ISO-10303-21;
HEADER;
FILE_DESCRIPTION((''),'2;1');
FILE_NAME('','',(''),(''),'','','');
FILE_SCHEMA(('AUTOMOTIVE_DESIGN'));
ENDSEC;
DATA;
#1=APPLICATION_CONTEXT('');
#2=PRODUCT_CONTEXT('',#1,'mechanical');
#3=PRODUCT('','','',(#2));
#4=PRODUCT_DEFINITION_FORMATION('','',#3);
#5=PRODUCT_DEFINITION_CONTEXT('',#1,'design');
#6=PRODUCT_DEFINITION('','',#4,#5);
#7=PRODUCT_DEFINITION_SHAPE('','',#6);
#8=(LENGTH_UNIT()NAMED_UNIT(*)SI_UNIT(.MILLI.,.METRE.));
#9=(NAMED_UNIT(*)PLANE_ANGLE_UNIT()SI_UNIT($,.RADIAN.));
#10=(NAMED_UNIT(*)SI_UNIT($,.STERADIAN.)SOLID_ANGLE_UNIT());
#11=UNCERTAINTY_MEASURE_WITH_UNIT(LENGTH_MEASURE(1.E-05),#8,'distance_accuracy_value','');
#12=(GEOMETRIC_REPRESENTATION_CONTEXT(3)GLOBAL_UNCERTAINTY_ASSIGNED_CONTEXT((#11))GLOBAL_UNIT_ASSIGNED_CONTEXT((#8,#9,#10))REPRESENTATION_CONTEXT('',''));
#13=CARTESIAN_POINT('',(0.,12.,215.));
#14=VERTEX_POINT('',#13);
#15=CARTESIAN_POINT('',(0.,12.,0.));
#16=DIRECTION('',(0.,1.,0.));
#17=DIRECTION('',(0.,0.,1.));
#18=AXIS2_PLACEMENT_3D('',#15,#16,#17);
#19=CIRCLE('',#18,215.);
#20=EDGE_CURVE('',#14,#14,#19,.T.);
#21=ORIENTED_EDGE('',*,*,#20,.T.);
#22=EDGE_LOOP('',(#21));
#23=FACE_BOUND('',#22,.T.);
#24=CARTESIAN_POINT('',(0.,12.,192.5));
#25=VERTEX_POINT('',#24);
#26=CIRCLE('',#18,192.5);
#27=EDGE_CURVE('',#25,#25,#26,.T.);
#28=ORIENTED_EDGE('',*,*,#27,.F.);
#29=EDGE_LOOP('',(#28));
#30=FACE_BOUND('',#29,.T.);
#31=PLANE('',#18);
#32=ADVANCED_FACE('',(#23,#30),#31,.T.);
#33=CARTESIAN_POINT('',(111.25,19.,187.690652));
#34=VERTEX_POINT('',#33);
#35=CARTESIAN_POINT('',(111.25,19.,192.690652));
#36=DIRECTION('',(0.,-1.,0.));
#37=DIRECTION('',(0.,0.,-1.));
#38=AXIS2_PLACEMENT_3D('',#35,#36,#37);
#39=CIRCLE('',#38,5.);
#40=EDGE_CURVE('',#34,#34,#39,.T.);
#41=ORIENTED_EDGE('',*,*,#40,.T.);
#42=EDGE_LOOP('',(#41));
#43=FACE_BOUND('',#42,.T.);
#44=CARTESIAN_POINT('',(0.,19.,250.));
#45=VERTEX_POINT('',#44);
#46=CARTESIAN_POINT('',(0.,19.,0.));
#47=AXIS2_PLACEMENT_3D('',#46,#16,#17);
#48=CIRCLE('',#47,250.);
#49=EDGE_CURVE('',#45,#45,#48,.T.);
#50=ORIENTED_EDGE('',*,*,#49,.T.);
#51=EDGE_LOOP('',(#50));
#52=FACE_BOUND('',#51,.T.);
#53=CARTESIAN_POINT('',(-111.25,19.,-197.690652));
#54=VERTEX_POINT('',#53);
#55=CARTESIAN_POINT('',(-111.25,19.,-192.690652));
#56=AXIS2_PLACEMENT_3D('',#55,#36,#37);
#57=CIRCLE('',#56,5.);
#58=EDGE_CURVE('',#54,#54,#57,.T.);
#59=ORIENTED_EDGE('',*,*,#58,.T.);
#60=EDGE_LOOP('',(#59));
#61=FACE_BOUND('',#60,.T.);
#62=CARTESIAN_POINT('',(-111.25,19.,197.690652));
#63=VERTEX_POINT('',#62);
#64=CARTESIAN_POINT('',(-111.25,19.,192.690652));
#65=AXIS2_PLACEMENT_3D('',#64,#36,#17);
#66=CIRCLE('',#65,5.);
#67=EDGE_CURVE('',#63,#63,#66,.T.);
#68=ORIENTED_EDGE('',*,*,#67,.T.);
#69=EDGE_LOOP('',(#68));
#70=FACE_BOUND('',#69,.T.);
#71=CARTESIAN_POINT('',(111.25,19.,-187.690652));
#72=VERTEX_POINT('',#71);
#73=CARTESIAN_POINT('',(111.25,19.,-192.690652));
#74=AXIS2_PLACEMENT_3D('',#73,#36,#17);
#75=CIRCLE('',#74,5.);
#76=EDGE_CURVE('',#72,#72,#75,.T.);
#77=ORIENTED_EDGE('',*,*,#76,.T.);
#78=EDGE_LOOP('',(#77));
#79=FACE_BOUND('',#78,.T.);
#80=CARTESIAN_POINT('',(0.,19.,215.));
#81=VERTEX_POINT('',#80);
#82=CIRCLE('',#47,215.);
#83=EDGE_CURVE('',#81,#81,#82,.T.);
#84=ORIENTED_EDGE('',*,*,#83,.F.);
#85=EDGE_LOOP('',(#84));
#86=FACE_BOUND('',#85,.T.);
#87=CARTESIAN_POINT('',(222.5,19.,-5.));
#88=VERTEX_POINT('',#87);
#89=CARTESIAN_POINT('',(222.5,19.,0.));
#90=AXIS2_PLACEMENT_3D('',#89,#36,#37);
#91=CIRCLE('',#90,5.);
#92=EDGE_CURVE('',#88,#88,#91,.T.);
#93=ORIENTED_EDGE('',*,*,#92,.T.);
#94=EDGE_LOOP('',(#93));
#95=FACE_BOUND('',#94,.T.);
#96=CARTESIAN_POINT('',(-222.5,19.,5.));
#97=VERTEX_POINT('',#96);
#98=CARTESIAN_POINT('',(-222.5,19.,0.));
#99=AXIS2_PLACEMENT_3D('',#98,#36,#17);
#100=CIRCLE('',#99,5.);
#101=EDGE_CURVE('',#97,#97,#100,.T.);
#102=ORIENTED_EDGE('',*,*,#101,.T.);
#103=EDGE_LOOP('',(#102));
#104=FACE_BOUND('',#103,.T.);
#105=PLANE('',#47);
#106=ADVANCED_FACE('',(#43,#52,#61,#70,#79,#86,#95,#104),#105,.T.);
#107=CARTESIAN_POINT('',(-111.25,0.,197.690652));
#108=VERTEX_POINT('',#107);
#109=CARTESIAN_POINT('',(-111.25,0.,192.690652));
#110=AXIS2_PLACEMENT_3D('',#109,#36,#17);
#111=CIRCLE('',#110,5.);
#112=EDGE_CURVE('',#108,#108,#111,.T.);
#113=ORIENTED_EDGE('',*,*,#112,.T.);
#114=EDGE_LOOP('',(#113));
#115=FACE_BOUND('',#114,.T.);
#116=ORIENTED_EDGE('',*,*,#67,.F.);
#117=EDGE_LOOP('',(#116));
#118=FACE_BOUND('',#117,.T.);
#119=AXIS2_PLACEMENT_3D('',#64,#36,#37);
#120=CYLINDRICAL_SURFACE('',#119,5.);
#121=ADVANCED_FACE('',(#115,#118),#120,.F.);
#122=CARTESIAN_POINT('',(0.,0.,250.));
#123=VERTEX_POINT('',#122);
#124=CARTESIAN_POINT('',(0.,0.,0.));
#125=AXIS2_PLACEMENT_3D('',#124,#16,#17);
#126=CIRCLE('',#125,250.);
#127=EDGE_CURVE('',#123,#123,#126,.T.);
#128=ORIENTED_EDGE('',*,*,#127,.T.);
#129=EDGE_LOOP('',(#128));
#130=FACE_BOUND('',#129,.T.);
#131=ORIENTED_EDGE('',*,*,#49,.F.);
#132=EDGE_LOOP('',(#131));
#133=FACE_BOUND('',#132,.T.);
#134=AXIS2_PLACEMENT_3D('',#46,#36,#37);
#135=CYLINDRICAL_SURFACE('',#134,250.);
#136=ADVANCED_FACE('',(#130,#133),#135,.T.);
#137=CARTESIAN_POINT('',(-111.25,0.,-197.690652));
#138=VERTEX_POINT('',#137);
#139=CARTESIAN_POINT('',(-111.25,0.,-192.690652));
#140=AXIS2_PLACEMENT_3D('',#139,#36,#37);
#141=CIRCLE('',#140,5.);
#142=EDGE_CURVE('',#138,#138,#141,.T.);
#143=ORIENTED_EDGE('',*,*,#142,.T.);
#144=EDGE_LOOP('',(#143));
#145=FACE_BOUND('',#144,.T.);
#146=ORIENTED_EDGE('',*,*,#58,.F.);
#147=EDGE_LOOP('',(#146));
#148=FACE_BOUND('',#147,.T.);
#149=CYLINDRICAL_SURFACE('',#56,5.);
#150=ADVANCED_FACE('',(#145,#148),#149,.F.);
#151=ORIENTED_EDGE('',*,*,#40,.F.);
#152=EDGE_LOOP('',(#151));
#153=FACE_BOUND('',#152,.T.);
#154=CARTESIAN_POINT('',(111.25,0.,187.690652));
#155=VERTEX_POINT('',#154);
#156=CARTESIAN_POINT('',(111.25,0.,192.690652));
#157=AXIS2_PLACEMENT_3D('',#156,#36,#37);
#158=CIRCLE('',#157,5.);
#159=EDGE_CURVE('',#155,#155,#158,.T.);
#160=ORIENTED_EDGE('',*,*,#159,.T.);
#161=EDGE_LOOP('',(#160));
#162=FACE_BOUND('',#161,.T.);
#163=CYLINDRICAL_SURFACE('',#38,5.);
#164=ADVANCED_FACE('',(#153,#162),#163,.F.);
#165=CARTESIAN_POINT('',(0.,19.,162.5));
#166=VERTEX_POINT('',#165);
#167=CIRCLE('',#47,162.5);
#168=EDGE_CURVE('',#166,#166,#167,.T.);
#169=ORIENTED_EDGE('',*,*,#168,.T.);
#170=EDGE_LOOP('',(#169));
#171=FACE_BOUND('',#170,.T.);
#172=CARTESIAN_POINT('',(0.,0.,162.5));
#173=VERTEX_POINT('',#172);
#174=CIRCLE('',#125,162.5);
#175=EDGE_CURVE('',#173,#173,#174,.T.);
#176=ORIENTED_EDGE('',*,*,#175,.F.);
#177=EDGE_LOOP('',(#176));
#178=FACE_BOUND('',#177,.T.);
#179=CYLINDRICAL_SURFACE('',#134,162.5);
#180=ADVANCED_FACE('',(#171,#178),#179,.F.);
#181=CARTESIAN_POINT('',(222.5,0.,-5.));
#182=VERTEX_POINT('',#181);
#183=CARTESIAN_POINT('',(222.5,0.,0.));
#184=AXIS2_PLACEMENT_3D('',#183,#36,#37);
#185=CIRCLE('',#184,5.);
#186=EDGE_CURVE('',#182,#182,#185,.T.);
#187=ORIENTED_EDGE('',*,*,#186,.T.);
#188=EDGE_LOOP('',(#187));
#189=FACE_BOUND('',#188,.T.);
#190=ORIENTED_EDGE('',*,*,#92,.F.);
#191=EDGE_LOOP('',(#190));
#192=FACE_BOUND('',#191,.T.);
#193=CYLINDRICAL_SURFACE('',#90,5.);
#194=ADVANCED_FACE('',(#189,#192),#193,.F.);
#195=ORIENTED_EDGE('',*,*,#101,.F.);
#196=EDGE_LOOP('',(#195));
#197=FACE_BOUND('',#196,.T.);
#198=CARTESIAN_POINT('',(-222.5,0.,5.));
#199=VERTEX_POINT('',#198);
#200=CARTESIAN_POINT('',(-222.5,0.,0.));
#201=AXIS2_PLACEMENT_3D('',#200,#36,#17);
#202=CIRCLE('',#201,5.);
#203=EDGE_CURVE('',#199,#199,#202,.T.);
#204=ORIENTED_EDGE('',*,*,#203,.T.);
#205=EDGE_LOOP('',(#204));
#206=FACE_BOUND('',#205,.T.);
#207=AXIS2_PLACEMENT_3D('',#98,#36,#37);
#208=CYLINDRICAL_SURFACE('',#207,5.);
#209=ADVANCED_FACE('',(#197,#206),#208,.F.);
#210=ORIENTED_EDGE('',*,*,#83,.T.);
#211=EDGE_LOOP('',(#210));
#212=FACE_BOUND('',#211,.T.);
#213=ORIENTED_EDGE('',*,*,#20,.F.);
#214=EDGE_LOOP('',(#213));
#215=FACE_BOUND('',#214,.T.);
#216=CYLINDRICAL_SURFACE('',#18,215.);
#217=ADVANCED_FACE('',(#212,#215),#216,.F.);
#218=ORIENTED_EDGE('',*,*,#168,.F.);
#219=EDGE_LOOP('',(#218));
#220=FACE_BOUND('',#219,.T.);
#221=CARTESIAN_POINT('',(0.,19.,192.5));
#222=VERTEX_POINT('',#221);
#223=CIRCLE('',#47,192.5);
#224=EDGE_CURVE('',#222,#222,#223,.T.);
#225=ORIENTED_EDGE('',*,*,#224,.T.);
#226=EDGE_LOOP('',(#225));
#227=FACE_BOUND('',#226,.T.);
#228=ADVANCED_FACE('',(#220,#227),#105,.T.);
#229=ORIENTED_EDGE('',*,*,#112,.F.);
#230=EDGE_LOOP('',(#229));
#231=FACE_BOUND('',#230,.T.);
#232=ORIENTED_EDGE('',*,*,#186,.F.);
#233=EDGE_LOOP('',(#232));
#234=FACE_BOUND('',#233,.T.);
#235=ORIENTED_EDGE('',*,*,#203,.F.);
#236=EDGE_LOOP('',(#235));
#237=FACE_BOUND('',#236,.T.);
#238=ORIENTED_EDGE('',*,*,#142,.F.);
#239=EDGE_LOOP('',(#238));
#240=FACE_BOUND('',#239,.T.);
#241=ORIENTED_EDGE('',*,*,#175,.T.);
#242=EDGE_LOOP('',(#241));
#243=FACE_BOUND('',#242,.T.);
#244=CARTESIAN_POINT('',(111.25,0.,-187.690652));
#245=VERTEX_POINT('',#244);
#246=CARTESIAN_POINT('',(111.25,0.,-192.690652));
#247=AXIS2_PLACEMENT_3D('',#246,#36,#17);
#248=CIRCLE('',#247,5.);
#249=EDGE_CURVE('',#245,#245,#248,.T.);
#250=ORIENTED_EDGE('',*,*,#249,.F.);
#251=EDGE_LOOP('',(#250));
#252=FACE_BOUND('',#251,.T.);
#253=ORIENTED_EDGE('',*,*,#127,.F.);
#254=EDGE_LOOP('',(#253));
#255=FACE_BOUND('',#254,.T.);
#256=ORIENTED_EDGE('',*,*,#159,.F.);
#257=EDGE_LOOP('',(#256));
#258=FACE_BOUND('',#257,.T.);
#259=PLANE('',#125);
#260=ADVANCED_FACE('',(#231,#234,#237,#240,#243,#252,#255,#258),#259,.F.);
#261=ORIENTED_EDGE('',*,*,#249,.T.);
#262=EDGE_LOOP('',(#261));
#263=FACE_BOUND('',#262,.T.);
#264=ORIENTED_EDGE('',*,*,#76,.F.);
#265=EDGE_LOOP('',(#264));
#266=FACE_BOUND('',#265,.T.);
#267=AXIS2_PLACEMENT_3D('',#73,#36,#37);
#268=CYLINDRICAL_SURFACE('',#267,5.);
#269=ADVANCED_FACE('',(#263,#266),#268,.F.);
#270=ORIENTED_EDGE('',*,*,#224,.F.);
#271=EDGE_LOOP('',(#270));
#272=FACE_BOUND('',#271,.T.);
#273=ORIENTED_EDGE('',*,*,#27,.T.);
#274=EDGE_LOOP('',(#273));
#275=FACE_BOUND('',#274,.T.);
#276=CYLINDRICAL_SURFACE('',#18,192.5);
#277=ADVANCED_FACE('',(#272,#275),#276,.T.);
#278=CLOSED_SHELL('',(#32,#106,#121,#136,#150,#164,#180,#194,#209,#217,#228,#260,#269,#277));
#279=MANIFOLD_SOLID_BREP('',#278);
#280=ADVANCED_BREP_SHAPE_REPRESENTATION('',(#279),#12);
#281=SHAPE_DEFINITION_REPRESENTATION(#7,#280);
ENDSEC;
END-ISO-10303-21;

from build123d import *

# Parameters (mm, degrees)
SKETCH1_R           = 250
SKETCH1_R_2         = 162.5
BOSS_EXTRUDE1_DEPTH = 19
SKETCH2_R           = 215
SKETCH2_R_2         = 192.5
CUT_EXTRUDE1_DEPTH  = 7
SKETCH3_R           = 5
CUT_EXTRUDE2_DEPTH  = 355.063553617


with BuildPart() as part:
    # Sketch1 → Boss-Extrude1 (new body)
    with BuildSketch(Plane(origin=(0, 0, 0), x_dir=(1, 0, 0), z_dir=(0, 1, 0))):
        with Locations(Location((0, 0, 0), (0, 0, 270))):
            Circle(SKETCH1_R)
        with Locations(Location((0, 0, 0), (0, 0, 270))):
            Circle(SKETCH1_R_2, mode=Mode.SUBTRACT)
    extrude(amount=BOSS_EXTRUDE1_DEPTH)

    # Sketch2 → Cut-Extrude1 (cut)
    with BuildSketch(Plane(origin=(0, 19, 0), x_dir=(1, 0, 0), z_dir=(0, 1, 0))):
        with Locations(Location((0, 0, 0), (0, 0, 270))):
            Circle(SKETCH2_R)
        with Locations(Location((0, 0, 0), (0, 0, 270))):
            Circle(SKETCH2_R_2, mode=Mode.SUBTRACT)
    extrude(amount=-CUT_EXTRUDE1_DEPTH, mode=Mode.SUBTRACT)

    # Sketch3 → Cut-Extrude2 (cut, through all)
    with BuildSketch(Plane.XZ):
        with Locations(Location((111.25, 192.690652342, 0), (0, 0, 270))):
            Circle(SKETCH3_R)
        with Locations(Location((222.5, 0, 0), (0, 0, 270))):
            Circle(SKETCH3_R)
        with Locations(Location((-222.5, 0, 0), (0, 0, 90))):
            Circle(SKETCH3_R)
        with Locations(Location((-111.25, 192.690652342, 0), (0, 0, 90))):
            Circle(SKETCH3_R)
        with Locations(Location((111.25, -192.690652342, 0), (0, 0, 90))):
            Circle(SKETCH3_R)
        with Locations(Location((-111.25, -192.690652342, 0), (0, 0, 270))):
            Circle(SKETCH3_R)
    extrude(amount=-CUT_EXTRUDE2_DEPTH, mode=Mode.SUBTRACT)


solid = part.part
